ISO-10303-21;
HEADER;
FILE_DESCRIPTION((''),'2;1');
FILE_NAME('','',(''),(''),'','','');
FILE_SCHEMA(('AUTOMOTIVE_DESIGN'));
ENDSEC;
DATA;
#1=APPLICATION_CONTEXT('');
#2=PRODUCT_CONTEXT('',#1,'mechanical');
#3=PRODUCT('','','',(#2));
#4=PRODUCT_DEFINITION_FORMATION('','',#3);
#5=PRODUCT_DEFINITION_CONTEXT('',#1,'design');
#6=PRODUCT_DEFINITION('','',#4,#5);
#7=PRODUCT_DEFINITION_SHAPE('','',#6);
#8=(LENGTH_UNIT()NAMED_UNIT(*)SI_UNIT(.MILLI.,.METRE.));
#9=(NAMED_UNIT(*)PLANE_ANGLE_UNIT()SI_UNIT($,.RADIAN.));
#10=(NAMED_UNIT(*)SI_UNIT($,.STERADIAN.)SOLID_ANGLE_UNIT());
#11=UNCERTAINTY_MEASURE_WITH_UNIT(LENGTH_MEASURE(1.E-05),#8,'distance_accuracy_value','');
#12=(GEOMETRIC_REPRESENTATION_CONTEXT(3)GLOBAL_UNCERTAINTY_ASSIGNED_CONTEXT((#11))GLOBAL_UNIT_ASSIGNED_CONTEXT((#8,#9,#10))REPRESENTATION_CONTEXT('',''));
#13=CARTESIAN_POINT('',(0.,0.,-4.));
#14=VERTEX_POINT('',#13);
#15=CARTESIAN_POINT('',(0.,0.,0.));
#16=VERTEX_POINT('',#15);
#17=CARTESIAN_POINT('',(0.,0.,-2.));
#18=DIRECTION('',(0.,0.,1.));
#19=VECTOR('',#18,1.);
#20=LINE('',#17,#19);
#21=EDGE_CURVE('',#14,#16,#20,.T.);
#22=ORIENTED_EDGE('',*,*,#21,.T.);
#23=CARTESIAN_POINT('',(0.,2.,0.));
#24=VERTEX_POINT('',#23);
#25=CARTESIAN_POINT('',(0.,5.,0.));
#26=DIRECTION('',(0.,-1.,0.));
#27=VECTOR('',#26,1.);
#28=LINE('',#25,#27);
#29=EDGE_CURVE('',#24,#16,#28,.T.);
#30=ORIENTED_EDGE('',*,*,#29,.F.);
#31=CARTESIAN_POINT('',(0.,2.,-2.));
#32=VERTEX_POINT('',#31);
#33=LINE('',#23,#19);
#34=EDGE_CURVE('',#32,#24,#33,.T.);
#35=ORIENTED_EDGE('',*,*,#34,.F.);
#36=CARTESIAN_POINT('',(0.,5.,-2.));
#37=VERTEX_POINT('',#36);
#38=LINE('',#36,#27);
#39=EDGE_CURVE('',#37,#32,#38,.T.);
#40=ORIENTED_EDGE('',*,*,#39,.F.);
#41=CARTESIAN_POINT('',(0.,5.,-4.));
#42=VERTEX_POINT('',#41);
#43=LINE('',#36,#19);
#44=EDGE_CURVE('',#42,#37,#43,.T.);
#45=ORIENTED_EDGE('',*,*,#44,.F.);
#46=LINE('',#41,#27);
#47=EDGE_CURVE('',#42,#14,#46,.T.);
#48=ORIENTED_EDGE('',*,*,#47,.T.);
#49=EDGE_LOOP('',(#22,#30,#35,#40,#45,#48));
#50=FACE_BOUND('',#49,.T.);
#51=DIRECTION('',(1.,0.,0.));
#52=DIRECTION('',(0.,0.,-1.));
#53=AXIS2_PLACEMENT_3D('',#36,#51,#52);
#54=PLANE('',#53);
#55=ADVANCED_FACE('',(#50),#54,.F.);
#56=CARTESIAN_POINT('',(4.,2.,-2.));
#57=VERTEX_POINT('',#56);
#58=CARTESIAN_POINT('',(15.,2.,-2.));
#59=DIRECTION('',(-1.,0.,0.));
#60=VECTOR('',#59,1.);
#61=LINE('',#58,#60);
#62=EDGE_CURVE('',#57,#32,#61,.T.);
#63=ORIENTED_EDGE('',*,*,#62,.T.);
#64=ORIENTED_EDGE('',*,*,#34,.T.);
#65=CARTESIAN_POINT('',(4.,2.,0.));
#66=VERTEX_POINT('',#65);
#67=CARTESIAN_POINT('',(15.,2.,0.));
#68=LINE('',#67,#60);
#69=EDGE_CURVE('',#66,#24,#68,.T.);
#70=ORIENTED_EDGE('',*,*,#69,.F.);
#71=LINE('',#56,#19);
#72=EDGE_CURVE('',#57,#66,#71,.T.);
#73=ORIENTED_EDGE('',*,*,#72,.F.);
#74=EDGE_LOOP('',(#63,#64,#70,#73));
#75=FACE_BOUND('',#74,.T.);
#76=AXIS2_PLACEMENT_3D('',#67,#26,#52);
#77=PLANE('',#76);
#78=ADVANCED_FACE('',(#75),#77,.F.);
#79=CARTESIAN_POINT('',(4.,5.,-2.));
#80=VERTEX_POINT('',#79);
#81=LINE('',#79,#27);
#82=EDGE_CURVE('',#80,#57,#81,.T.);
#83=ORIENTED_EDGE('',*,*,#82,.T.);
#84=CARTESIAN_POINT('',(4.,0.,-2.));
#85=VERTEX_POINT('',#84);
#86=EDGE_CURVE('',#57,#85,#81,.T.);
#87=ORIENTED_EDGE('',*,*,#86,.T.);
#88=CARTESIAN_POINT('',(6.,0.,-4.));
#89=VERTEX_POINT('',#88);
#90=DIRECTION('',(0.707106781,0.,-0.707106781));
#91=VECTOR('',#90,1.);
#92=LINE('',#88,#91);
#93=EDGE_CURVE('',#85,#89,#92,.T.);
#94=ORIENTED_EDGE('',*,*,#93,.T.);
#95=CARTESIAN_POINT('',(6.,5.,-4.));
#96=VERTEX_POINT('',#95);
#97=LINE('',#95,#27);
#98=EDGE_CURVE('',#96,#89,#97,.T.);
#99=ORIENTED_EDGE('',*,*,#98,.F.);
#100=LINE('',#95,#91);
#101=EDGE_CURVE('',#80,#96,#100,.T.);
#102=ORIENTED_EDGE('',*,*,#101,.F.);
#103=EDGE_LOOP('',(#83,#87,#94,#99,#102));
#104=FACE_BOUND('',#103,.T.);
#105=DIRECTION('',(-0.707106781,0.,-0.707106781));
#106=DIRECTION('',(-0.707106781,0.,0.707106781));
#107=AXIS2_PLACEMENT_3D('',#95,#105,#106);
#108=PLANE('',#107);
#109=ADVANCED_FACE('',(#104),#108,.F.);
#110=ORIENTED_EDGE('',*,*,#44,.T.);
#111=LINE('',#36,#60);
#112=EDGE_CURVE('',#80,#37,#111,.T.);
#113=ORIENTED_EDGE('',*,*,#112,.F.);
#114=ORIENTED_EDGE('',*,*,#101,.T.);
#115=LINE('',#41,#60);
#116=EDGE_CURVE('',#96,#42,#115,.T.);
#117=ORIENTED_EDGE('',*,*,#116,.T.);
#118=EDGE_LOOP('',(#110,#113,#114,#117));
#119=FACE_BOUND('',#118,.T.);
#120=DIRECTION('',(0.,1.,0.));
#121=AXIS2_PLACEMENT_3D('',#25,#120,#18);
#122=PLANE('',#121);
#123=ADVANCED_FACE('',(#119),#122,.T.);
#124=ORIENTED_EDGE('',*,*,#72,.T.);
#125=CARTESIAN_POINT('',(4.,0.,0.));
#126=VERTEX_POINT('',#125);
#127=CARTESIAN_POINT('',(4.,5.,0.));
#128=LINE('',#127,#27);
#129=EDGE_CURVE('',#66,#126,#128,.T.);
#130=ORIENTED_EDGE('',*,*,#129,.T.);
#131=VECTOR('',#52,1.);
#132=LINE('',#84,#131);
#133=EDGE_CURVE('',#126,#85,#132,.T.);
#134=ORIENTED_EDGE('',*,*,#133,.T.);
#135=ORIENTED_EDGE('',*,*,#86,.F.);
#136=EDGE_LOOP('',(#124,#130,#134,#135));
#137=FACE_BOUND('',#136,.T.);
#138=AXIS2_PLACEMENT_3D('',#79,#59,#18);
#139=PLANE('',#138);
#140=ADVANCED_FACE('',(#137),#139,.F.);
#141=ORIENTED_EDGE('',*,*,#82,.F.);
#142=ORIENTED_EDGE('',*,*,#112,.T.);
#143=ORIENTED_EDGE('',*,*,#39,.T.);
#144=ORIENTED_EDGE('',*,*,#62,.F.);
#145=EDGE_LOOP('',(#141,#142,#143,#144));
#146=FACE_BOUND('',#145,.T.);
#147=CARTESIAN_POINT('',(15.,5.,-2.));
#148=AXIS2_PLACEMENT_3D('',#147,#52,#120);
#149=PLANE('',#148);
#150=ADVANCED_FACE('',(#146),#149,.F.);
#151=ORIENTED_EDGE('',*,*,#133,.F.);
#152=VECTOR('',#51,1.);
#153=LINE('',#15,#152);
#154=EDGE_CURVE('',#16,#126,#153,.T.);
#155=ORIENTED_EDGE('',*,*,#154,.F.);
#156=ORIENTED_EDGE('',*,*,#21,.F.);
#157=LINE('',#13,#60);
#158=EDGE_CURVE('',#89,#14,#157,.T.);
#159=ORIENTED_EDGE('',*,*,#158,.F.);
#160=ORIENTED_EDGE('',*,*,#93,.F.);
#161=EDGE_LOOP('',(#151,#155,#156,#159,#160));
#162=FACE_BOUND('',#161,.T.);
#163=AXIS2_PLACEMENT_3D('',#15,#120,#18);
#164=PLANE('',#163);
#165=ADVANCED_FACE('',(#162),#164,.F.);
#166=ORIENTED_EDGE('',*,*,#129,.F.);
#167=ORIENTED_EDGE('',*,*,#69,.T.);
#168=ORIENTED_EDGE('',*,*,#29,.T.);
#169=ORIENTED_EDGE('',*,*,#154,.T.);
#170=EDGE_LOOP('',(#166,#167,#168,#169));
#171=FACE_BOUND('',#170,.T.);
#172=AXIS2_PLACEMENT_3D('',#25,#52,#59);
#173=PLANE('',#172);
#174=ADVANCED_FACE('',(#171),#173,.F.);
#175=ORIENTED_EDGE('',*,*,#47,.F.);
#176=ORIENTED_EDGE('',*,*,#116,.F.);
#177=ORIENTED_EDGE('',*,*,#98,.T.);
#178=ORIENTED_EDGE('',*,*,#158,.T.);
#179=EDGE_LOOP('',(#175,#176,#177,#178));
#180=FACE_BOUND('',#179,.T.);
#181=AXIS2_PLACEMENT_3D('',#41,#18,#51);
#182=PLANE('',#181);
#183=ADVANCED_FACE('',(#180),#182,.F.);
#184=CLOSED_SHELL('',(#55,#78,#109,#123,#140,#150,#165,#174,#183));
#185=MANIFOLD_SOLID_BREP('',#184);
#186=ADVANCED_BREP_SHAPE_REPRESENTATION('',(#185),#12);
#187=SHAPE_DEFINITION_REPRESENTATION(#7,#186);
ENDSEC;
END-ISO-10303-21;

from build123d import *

# Parameters (mm, degrees)
BOSS_EXTRUDE1_DEPTH = 5
SKETCH4_W           = 2
SKETCH4_H           = 3
CUT_EXTRUDE3_DEPTH  = 15


with BuildPart() as part:
    # Sketch1 → Boss-Extrude1 (new body)
    with BuildSketch(Plane(origin=(0, 0, 0), x_dir=(1, 0, 0), z_dir=(0, 1, 0))):
        Polygon((4, 2), (4, 0), (0, 0), (0, 2), (0, 4), (6, 4), align=None)
    extrude(amount=BOSS_EXTRUDE1_DEPTH)

    # Sketch4 → Cut-Extrude3 (cut)
    with BuildSketch(Plane.ZY):
        with Locations((-1, 3.5)):
            Rectangle(SKETCH4_W, SKETCH4_H)
    extrude(amount=-CUT_EXTRUDE3_DEPTH, mode=Mode.SUBTRACT)


solid = part.part
